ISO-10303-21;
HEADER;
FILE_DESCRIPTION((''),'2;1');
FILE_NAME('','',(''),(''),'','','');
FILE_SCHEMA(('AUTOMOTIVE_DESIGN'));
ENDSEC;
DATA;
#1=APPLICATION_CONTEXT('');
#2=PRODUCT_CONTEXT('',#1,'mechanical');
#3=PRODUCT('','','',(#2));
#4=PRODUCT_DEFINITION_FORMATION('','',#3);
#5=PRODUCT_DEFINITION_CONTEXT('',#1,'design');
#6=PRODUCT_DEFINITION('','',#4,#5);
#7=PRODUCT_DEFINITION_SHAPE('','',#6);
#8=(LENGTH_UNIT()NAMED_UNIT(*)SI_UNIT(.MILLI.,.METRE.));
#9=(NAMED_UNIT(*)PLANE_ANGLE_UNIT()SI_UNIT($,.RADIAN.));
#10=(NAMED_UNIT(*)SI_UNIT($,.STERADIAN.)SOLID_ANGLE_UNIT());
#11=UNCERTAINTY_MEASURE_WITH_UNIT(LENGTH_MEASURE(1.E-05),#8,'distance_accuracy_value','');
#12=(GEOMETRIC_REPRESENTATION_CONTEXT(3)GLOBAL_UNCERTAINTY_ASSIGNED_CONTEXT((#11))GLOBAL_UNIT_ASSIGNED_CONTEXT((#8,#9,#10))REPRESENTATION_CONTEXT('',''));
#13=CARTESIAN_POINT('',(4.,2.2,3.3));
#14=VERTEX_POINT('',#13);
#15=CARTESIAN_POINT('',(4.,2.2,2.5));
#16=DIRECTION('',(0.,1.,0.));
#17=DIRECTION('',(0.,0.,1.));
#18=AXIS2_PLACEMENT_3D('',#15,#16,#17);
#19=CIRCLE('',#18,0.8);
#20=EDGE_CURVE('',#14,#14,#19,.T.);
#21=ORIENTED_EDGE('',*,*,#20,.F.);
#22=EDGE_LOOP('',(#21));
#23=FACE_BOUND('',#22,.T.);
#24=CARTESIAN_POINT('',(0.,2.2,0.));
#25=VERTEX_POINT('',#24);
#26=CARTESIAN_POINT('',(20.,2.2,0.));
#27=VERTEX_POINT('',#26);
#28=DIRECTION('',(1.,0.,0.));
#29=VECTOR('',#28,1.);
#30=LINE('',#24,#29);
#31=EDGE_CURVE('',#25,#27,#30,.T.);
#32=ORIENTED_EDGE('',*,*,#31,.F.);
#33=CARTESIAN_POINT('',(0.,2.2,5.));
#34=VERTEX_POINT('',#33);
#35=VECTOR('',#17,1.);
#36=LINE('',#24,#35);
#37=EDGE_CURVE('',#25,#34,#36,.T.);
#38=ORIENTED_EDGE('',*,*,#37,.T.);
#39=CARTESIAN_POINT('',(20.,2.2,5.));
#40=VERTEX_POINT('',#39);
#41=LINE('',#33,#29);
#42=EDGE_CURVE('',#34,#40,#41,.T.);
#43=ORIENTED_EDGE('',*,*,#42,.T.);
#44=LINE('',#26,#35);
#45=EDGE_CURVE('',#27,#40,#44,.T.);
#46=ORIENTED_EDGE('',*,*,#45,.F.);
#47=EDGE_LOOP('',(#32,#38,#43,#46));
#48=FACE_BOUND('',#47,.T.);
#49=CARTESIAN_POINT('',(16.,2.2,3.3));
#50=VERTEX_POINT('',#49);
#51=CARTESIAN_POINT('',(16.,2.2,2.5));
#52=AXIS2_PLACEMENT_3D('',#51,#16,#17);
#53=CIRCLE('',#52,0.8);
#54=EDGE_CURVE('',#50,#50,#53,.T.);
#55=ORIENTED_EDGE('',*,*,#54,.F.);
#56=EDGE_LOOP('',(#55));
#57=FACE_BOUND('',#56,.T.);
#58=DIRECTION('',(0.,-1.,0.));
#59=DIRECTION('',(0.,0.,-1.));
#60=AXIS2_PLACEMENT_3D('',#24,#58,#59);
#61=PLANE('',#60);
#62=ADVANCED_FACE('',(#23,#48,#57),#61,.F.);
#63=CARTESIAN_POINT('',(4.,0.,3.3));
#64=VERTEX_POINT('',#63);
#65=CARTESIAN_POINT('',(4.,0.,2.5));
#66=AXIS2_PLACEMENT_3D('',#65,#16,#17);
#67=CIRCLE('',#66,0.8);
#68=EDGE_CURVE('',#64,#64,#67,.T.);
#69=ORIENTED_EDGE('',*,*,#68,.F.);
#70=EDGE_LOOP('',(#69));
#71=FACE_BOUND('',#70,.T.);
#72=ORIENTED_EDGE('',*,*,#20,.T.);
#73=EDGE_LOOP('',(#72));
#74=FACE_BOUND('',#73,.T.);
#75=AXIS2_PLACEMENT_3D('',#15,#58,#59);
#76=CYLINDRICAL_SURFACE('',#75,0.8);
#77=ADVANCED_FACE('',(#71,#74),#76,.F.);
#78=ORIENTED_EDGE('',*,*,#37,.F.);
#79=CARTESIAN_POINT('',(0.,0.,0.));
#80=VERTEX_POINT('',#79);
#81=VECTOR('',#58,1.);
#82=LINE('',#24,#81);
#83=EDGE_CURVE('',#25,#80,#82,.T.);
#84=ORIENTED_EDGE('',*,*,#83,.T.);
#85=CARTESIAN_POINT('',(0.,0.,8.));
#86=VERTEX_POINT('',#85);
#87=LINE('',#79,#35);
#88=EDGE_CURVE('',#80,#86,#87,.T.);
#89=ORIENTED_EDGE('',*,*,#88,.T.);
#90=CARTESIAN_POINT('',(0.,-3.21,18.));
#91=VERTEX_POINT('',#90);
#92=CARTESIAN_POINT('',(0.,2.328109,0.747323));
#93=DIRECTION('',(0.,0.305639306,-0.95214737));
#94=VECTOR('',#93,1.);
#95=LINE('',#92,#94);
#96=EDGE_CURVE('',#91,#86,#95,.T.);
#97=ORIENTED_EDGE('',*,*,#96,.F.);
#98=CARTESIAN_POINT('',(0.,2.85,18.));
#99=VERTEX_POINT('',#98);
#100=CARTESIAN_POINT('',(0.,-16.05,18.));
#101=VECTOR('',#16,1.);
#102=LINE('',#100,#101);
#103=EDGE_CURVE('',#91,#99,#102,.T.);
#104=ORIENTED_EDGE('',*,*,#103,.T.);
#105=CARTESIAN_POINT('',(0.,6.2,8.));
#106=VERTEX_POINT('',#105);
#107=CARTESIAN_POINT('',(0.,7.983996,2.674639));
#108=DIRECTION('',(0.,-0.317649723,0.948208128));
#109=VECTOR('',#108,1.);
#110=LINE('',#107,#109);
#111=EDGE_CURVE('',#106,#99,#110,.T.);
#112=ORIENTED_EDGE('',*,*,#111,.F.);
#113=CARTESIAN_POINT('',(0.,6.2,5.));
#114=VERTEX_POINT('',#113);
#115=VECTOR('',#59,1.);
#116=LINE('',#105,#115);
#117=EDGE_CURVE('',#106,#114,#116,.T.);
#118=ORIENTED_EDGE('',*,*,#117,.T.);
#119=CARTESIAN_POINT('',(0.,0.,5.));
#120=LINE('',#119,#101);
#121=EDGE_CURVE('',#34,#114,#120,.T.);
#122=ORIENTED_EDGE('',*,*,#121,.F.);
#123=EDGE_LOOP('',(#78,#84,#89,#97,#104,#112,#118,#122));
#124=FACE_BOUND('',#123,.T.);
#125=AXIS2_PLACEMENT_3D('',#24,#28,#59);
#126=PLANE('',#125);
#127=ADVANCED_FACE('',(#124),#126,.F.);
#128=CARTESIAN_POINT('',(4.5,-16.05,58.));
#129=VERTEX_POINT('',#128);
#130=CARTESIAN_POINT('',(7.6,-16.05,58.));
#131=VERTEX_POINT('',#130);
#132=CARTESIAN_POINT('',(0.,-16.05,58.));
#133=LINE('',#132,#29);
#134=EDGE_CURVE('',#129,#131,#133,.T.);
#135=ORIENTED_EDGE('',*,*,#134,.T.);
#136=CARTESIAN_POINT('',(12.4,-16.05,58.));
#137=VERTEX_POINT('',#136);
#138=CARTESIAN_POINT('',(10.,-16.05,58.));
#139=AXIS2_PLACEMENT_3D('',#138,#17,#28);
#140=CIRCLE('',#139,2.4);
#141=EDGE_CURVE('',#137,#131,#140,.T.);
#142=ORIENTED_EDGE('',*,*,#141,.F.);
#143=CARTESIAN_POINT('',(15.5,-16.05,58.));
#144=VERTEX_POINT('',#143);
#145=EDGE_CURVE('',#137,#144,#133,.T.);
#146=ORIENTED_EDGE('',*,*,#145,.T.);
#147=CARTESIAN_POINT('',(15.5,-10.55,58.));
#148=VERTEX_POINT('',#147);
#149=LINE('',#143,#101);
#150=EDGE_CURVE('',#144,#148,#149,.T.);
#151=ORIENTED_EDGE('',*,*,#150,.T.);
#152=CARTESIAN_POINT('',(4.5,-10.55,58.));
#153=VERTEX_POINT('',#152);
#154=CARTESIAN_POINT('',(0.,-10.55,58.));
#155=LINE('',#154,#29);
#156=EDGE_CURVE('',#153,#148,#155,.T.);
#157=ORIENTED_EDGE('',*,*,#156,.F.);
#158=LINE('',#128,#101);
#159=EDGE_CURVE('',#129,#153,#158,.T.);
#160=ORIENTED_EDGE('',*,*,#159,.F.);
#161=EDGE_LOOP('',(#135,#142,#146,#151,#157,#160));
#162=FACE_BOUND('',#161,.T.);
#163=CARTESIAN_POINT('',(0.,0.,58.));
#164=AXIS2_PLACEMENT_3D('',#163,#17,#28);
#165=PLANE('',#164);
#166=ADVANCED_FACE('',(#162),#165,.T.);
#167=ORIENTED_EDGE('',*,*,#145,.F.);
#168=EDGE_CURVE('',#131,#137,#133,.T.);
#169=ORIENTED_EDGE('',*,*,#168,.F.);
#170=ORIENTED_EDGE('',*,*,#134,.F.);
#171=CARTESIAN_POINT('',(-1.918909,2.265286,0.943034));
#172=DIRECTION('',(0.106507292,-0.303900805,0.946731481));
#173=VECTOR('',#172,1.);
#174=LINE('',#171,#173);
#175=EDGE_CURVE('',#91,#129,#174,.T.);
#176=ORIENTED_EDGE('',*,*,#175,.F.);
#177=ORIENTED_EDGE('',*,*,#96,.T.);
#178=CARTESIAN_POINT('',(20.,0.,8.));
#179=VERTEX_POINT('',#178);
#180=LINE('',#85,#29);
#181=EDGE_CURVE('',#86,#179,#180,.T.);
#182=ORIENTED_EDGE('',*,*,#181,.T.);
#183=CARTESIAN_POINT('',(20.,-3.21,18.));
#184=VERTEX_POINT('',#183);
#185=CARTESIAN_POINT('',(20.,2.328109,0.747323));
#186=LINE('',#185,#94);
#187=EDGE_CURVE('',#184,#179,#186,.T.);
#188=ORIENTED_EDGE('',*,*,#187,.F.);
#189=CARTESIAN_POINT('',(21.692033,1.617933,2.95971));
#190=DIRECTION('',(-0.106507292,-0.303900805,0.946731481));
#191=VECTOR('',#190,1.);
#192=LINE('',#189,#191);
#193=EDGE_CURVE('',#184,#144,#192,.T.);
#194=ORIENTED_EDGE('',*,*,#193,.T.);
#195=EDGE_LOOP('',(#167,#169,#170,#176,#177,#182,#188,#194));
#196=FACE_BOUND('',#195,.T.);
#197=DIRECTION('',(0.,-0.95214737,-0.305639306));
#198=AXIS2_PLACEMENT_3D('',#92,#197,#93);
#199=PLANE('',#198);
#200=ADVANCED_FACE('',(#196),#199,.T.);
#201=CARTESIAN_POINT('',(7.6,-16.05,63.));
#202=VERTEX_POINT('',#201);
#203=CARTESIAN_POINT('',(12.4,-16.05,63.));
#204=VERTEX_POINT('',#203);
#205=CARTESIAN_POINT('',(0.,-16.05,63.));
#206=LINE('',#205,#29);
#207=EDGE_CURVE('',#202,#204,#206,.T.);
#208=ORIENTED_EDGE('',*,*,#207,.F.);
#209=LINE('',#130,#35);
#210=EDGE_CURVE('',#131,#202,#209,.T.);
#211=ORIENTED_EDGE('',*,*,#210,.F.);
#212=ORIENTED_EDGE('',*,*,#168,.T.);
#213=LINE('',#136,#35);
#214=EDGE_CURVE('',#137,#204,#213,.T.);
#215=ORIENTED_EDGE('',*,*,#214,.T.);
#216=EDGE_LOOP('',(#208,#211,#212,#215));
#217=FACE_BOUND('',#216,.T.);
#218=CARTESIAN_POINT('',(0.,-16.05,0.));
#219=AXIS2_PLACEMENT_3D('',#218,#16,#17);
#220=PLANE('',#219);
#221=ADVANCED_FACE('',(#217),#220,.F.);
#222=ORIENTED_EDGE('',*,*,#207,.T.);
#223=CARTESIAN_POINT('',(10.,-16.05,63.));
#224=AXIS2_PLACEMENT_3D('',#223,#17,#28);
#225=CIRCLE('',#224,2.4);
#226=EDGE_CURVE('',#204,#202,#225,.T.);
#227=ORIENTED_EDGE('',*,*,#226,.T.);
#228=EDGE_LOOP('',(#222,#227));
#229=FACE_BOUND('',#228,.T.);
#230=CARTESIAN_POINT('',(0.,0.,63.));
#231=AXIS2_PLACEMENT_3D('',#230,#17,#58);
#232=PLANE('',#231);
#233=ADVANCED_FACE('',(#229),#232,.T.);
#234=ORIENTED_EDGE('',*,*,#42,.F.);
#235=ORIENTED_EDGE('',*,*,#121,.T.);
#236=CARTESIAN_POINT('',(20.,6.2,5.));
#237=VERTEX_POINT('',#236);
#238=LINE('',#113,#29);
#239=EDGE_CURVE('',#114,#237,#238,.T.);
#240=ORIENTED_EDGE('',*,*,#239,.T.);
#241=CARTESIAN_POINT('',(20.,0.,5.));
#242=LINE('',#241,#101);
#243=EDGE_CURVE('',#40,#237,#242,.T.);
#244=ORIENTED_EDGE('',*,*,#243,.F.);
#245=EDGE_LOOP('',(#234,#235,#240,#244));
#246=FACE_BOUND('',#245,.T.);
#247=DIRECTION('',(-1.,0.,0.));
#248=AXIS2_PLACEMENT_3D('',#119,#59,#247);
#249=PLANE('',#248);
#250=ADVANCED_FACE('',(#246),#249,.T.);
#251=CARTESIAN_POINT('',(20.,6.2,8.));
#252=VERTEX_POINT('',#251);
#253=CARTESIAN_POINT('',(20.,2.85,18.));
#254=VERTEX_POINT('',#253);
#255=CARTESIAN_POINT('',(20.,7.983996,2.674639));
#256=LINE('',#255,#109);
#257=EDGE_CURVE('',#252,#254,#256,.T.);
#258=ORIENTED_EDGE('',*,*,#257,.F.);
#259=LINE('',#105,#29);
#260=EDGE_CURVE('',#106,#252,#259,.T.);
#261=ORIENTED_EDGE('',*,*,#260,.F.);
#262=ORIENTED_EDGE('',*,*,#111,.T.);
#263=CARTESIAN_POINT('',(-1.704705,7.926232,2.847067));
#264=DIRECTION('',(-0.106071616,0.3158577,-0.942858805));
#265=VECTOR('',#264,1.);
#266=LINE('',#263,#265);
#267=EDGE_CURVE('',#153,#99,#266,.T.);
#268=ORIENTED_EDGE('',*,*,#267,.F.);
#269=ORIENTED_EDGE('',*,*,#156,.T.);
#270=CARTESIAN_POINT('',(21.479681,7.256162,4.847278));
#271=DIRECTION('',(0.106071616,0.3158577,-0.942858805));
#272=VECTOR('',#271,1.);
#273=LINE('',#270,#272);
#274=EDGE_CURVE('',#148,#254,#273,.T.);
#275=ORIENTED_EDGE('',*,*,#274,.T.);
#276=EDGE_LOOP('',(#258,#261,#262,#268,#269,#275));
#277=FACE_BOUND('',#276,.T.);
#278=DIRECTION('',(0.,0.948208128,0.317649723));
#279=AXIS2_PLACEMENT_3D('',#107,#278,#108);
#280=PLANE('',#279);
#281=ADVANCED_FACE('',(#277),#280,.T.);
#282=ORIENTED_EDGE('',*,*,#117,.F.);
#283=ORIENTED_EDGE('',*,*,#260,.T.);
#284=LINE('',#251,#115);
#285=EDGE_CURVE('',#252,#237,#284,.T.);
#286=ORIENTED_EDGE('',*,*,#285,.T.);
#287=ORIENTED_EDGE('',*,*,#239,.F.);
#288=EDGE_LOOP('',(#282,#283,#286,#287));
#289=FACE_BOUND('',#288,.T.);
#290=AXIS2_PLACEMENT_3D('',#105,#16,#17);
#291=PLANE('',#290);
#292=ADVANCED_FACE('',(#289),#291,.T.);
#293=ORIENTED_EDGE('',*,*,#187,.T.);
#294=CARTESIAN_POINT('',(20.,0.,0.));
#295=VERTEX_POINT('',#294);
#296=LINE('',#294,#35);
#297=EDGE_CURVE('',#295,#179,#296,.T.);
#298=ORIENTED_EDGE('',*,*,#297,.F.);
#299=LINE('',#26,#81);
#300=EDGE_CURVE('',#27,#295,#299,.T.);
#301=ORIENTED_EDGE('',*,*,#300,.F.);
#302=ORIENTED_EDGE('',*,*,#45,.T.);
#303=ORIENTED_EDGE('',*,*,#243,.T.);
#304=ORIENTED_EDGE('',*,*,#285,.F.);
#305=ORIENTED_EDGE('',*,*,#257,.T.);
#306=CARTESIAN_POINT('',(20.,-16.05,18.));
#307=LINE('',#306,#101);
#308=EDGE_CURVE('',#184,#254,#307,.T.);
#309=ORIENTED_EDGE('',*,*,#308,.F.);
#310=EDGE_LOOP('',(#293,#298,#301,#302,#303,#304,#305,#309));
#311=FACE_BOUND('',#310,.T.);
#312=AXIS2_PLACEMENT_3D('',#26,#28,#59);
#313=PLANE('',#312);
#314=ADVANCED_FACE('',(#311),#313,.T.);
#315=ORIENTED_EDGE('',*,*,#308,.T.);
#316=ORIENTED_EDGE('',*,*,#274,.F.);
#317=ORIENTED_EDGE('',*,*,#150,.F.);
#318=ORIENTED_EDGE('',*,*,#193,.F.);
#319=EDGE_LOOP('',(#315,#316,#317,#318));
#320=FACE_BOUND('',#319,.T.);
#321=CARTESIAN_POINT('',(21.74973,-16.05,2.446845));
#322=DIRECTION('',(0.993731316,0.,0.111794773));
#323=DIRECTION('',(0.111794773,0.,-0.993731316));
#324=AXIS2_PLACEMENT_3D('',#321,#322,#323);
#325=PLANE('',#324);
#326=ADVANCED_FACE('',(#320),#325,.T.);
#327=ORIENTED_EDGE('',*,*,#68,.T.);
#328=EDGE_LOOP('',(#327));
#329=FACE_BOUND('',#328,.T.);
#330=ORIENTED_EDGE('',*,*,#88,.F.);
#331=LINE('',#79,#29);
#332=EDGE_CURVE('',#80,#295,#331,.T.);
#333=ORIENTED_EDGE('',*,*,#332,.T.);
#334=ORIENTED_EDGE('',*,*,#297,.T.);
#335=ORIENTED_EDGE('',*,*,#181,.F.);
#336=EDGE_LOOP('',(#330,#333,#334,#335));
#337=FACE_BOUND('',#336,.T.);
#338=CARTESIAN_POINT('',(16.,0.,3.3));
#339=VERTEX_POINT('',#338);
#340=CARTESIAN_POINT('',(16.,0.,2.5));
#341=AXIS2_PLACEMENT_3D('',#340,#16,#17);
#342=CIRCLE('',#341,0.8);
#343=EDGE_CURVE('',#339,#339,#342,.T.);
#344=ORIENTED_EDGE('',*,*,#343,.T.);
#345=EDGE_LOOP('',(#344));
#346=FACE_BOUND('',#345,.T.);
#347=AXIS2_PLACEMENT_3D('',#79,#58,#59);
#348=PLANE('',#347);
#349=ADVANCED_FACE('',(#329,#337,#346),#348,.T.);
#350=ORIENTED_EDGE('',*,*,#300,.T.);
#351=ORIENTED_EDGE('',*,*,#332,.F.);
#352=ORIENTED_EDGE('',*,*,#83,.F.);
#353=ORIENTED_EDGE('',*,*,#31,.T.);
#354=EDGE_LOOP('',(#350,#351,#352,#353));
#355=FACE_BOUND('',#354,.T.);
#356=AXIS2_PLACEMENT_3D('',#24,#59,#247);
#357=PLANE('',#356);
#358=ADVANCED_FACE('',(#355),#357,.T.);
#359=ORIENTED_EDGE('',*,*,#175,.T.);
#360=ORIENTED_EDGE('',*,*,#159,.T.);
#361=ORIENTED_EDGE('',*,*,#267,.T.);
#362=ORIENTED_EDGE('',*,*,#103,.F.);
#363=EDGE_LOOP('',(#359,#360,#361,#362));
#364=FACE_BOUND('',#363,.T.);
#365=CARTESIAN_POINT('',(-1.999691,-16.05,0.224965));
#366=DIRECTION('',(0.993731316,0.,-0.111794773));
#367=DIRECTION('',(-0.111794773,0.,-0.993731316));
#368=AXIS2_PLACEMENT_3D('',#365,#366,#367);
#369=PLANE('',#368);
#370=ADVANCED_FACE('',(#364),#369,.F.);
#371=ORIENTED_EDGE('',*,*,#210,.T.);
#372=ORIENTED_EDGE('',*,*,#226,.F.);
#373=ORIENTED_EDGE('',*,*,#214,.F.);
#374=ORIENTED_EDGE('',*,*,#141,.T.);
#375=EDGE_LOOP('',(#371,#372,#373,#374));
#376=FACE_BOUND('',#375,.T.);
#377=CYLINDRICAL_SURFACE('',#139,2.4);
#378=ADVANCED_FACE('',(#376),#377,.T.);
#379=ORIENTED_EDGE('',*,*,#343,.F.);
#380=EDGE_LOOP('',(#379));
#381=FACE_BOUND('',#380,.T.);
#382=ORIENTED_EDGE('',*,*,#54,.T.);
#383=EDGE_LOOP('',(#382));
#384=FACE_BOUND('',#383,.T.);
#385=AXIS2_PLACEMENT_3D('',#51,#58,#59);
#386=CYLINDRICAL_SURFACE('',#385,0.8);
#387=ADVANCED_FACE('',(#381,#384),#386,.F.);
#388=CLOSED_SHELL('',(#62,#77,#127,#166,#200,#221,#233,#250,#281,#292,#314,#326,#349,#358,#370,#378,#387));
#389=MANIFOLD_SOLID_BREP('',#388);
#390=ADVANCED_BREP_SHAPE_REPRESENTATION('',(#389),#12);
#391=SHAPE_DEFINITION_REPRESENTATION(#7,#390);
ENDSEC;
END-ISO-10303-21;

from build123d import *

# Parameters (mm, degrees)
SKETCH_1_W          = 20
SKETCH_1_H          = 5
SKETCH_1_R          = 0.8
EXTRUDE_1_DEPTH     = 2.2
SKETCH_2_W          = 20
SKETCH_2_H          = 6.2
EXTRUDE_2_DEPTH     = 3
SKETCH_3_W          = 5
SKETCH_3_H          = 5.5
EXTRUDE_3_DEPTH     = 20
SKETCH_4_W          = 4.5
SKETCH_4_H          = 5
CUT_EXTRUDE_1_DEPTH = 70.742831173
CUT_EXTRUDE_2_DEPTH = 5


with BuildPart() as part:
    # 草图1 → 凸台-拉伸1 (new body)
    with BuildSketch(Plane(origin=(0, 0, 0), x_dir=(1, 0, 0), z_dir=(0, 1, 0))):
        with Locations((10, -2.5)):
            Rectangle(SKETCH_1_W, SKETCH_1_H)
        with Locations(Location((4, -2.5, 0), (0, 0, 270))):
            Circle(SKETCH_1_R, mode=Mode.SUBTRACT)
        with Locations(Location((16, -2.5, 0), (0, 0, 270))):
            Circle(SKETCH_1_R, mode=Mode.SUBTRACT)
    extrude(amount=EXTRUDE_1_DEPTH)

    # 草图2 → 凸台-拉伸2 (add)
    with BuildSketch(Plane.XY.offset(5)):
        with Locations((10, 3.1)):
            Rectangle(SKETCH_2_W, SKETCH_2_H)
    extrude(amount=EXTRUDE_2_DEPTH)

    # 草图3 → 凸台-拉伸3 (add, through all)
    with BuildSketch(Plane(origin=(20, 0, 0), x_dir=(0, 0, -1), z_dir=(1, 0, 0))):
        Polygon((-58, -10.55), (-58, -16.05), (-8, 0), (-8, 6.2), align=None)
        with Locations((-60.5, -13.3)):
            Rectangle(SKETCH_3_W, SKETCH_3_H)
    extrude(amount=-EXTRUDE_3_DEPTH)

    # 草图4 → 切除-拉伸1 (cut, through all)
    with BuildSketch(Plane(origin=(0, 6.2, 0), x_dir=(1, 0, 0), z_dir=(0, 1, 0))):
        Polygon((4.5, -58), (0, -18), (0, -58), align=None)
        Polygon((20, -58), (20, -18), (15.5, -58), align=None)
        with Locations((17.75, -60.5)):
            Rectangle(SKETCH_4_W, SKETCH_4_H)
        with Locations((2.25, -60.5)):
            Rectangle(SKETCH_4_W, SKETCH_4_H)
    extrude(amount=-CUT_EXTRUDE_1_DEPTH, mode=Mode.SUBTRACT)

    # 草图5 → 切除-拉伸2 (cut)
    with BuildSketch(Plane.XY.offset(63)):
        with BuildLine():
            Line((15.5, -10.55), (4.5, -10.55))
            Line((4.5, -10.55), (4.5, -16.05))
            Line((4.5, -16.05), (7.6, -16.05))
            ThreePointArc((7.6, -16.05), (10, -13.65), (12.4, -16.05))
            Line((12.4, -16.05), (15.5, -16.05))
            Line((15.5, -16.05), (15.5, -10.55))
        make_face()
    extrude(amount=-CUT_EXTRUDE_2_DEPTH, mode=Mode.SUBTRACT)


solid = part.part
